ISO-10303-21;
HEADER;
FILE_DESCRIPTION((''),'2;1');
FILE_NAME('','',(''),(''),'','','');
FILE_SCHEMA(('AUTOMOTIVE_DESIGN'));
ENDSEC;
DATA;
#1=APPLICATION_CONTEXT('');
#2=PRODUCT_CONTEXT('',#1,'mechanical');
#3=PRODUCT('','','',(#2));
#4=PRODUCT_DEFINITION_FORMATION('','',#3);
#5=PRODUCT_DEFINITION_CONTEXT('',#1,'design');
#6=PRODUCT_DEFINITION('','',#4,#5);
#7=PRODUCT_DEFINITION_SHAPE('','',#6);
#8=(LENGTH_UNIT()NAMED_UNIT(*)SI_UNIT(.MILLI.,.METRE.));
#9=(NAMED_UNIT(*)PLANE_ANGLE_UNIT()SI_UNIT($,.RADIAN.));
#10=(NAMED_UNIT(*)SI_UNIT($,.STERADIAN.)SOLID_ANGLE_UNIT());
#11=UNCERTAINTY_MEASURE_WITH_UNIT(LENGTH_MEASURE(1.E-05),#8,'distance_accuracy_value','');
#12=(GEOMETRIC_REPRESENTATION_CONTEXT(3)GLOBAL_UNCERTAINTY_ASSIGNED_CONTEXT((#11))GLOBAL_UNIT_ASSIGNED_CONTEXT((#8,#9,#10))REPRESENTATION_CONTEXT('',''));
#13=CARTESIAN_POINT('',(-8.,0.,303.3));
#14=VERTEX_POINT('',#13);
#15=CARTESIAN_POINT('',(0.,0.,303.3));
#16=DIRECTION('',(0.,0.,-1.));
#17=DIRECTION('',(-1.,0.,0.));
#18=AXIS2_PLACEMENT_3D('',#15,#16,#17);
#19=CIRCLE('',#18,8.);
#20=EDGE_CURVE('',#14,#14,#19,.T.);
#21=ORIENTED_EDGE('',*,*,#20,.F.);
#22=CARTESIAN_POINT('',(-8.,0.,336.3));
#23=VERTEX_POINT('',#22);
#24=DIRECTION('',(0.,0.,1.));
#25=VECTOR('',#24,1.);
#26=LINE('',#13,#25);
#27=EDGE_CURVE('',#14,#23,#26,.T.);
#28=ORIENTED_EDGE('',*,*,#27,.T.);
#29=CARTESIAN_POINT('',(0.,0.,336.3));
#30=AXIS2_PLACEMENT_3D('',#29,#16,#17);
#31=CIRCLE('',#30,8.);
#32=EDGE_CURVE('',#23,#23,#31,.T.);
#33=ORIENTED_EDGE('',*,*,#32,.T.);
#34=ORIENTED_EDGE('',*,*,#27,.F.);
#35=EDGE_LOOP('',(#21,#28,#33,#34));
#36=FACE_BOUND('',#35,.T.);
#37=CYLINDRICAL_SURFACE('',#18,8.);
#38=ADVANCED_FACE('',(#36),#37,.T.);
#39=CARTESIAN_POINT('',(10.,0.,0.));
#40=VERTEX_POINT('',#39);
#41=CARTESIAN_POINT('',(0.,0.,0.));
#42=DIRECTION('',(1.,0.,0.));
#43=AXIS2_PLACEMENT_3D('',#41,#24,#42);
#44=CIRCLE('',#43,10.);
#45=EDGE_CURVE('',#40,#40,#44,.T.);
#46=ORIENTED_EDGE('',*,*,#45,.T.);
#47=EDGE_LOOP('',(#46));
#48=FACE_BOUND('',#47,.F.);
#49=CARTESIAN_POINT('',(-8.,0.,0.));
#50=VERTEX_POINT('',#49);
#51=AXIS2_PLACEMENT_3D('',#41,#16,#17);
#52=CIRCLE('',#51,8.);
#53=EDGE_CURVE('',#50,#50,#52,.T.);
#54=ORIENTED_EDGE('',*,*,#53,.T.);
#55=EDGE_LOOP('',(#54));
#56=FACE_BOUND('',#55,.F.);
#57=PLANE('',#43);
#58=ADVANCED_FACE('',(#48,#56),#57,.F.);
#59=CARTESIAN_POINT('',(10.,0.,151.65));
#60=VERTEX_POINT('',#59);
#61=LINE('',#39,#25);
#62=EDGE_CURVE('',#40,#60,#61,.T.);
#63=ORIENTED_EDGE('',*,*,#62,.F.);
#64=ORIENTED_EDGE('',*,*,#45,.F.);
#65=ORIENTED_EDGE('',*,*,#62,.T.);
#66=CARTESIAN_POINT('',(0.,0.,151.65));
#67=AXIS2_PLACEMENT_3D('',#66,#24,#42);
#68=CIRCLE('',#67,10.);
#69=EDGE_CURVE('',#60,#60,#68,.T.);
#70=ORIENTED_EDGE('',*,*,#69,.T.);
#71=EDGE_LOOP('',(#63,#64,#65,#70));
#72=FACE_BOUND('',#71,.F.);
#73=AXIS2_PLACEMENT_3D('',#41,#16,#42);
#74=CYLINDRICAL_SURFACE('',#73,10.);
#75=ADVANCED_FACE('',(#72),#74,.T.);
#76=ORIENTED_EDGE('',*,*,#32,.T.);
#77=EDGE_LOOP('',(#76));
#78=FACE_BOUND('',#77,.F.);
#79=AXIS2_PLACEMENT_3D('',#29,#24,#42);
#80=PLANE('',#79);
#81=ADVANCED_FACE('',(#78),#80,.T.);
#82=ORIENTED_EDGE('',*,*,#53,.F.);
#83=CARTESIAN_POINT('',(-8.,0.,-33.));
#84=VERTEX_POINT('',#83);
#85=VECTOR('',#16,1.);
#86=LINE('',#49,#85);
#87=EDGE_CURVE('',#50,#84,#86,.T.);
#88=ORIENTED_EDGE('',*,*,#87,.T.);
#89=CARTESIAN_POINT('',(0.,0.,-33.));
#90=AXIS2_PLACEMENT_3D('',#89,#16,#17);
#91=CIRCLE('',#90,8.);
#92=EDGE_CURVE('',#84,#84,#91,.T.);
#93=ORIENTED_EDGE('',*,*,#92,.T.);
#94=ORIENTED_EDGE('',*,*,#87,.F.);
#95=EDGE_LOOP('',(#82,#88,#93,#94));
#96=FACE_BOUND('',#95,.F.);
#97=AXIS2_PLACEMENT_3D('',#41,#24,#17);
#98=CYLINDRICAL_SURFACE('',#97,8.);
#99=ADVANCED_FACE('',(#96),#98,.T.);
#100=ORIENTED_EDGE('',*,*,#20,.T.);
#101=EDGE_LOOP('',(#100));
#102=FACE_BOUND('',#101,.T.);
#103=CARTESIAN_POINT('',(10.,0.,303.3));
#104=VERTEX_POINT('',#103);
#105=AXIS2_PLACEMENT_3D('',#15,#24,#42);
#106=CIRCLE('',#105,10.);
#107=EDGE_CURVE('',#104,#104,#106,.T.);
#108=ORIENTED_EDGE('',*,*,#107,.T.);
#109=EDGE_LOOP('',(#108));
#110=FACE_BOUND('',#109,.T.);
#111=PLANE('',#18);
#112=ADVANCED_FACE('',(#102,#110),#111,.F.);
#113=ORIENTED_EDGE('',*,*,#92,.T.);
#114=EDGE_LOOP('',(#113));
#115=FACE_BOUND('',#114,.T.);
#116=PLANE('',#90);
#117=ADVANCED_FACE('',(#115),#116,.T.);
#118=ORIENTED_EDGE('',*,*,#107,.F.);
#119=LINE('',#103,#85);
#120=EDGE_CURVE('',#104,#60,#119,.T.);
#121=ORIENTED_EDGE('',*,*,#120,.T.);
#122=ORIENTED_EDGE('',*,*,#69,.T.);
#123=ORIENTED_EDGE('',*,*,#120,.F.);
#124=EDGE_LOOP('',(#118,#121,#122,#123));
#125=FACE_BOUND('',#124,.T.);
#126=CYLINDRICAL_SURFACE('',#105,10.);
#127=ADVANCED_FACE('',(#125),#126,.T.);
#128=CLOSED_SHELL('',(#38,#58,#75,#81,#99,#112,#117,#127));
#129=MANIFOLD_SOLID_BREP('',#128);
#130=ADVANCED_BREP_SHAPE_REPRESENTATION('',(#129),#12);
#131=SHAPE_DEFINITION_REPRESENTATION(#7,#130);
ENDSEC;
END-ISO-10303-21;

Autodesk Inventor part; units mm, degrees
ref_plane "YZ Plane" through (0, 0, 0) normal (1, 0, 0) x (0, 1, 0)
ref_plane "XZ Plane" through (0, 0, 0) normal (0, 1, 0) x (-1, 0, 0)
ref_plane "XY Plane" through (0, 0, 0) normal (0, 0, 1) x (1, 0, 0)
sketch "Sketch1" plane through (0, 0, 0) normal (0, 0, 1) x (1, 0, 0)
  circle A0 centre (0, 0) radius 10
  dimension "d0" = 20
extrude "Extrusion1" add sketch "Sketch1" along normal blind 151.65
sketch "Sketch2" plane through (0, 0, 0) normal (0, 0, -1) x (-1, 0, 0)
  circle A0 centre (0, 0) radius 8
  dimension "d3" = 16
extrude "Extrusion2" add sketch "Sketch2" along normal blind 33
mirror "Mirror1" about plane through (0, 0, 151.65) normal (0, 0, 1) of "Extrusion1", "Extrusion2"
properties part number "BielaConexion"
